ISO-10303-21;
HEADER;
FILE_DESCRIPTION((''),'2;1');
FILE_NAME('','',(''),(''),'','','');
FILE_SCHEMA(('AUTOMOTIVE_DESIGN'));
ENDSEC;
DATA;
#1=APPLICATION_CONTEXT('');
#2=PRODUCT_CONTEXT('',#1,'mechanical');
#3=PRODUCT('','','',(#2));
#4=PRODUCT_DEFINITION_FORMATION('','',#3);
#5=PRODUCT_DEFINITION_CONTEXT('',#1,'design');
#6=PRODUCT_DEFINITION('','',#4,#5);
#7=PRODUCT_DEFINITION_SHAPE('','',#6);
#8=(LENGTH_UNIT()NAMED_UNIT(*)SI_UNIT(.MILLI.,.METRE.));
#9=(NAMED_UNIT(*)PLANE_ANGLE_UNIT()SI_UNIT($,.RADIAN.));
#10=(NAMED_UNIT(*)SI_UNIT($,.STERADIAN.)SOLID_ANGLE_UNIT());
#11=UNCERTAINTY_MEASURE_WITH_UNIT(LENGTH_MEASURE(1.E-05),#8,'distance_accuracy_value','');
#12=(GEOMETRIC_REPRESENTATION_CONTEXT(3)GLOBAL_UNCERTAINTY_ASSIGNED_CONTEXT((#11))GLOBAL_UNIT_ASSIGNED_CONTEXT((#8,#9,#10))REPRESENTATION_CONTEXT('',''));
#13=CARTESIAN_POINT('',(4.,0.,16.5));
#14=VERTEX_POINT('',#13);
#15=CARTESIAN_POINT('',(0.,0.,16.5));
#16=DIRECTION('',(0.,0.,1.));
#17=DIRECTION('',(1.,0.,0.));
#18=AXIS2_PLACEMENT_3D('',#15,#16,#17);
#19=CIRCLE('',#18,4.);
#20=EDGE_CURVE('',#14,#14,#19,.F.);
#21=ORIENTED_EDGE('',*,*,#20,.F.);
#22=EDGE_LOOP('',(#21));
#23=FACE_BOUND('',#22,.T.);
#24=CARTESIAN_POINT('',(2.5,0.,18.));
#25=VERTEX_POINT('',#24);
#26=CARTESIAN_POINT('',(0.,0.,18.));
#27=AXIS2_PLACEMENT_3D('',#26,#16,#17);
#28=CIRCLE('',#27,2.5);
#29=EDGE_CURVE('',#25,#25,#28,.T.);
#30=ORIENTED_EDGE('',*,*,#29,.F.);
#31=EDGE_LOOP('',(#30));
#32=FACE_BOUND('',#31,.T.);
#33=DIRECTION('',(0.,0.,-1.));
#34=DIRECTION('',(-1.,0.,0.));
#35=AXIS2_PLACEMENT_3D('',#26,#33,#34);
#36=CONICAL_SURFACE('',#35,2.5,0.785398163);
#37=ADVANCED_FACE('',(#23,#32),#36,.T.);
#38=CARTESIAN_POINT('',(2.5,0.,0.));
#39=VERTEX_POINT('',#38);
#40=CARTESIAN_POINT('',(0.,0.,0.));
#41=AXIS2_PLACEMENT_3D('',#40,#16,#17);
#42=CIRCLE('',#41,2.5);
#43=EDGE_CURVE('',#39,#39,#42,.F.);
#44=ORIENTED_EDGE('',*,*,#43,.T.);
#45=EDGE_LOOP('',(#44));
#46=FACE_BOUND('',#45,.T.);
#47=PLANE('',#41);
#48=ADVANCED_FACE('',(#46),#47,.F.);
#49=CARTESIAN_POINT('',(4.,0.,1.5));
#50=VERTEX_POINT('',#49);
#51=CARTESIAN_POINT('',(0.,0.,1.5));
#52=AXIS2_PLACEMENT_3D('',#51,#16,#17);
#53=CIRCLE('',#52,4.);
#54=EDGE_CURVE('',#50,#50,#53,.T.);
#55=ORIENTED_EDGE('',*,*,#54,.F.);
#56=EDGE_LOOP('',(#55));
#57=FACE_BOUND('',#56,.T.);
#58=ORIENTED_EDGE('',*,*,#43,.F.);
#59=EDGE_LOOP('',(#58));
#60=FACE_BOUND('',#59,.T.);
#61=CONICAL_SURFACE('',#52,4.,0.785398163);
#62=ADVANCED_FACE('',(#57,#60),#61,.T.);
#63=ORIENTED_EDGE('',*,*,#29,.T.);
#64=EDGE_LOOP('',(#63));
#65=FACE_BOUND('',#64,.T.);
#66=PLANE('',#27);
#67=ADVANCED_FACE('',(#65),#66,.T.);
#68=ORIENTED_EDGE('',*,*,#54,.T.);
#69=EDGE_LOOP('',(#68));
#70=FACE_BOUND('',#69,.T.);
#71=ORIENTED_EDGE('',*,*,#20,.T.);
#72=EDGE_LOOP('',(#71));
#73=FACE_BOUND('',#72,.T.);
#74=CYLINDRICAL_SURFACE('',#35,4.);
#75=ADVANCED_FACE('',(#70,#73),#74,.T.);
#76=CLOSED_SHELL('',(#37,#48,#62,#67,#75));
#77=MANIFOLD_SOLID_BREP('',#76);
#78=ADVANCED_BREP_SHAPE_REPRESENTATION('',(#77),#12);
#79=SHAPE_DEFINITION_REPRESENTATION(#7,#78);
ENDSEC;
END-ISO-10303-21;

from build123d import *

# Parameters (mm, degrees)
SKETCH_1_R      = 4
EXTRUDE_1_DEPTH = 18
CHAMFER_1_SIZE  = 1.5


with BuildPart() as part:
    # Эскиз1 → Вытянуть1 (new body)
    with BuildSketch(Plane.XY):
        Circle(SKETCH_1_R)
    extrude(amount=EXTRUDE_1_DEPTH)

    # Фаска1
    chamfer_1_edges = [part.edges().sort_by_distance(p)[0] for p in [
        (-4, 0, 0),
        (-4, 0, 18),
    ]]
    chamfer(chamfer_1_edges, length=CHAMFER_1_SIZE)


solid = part.part
